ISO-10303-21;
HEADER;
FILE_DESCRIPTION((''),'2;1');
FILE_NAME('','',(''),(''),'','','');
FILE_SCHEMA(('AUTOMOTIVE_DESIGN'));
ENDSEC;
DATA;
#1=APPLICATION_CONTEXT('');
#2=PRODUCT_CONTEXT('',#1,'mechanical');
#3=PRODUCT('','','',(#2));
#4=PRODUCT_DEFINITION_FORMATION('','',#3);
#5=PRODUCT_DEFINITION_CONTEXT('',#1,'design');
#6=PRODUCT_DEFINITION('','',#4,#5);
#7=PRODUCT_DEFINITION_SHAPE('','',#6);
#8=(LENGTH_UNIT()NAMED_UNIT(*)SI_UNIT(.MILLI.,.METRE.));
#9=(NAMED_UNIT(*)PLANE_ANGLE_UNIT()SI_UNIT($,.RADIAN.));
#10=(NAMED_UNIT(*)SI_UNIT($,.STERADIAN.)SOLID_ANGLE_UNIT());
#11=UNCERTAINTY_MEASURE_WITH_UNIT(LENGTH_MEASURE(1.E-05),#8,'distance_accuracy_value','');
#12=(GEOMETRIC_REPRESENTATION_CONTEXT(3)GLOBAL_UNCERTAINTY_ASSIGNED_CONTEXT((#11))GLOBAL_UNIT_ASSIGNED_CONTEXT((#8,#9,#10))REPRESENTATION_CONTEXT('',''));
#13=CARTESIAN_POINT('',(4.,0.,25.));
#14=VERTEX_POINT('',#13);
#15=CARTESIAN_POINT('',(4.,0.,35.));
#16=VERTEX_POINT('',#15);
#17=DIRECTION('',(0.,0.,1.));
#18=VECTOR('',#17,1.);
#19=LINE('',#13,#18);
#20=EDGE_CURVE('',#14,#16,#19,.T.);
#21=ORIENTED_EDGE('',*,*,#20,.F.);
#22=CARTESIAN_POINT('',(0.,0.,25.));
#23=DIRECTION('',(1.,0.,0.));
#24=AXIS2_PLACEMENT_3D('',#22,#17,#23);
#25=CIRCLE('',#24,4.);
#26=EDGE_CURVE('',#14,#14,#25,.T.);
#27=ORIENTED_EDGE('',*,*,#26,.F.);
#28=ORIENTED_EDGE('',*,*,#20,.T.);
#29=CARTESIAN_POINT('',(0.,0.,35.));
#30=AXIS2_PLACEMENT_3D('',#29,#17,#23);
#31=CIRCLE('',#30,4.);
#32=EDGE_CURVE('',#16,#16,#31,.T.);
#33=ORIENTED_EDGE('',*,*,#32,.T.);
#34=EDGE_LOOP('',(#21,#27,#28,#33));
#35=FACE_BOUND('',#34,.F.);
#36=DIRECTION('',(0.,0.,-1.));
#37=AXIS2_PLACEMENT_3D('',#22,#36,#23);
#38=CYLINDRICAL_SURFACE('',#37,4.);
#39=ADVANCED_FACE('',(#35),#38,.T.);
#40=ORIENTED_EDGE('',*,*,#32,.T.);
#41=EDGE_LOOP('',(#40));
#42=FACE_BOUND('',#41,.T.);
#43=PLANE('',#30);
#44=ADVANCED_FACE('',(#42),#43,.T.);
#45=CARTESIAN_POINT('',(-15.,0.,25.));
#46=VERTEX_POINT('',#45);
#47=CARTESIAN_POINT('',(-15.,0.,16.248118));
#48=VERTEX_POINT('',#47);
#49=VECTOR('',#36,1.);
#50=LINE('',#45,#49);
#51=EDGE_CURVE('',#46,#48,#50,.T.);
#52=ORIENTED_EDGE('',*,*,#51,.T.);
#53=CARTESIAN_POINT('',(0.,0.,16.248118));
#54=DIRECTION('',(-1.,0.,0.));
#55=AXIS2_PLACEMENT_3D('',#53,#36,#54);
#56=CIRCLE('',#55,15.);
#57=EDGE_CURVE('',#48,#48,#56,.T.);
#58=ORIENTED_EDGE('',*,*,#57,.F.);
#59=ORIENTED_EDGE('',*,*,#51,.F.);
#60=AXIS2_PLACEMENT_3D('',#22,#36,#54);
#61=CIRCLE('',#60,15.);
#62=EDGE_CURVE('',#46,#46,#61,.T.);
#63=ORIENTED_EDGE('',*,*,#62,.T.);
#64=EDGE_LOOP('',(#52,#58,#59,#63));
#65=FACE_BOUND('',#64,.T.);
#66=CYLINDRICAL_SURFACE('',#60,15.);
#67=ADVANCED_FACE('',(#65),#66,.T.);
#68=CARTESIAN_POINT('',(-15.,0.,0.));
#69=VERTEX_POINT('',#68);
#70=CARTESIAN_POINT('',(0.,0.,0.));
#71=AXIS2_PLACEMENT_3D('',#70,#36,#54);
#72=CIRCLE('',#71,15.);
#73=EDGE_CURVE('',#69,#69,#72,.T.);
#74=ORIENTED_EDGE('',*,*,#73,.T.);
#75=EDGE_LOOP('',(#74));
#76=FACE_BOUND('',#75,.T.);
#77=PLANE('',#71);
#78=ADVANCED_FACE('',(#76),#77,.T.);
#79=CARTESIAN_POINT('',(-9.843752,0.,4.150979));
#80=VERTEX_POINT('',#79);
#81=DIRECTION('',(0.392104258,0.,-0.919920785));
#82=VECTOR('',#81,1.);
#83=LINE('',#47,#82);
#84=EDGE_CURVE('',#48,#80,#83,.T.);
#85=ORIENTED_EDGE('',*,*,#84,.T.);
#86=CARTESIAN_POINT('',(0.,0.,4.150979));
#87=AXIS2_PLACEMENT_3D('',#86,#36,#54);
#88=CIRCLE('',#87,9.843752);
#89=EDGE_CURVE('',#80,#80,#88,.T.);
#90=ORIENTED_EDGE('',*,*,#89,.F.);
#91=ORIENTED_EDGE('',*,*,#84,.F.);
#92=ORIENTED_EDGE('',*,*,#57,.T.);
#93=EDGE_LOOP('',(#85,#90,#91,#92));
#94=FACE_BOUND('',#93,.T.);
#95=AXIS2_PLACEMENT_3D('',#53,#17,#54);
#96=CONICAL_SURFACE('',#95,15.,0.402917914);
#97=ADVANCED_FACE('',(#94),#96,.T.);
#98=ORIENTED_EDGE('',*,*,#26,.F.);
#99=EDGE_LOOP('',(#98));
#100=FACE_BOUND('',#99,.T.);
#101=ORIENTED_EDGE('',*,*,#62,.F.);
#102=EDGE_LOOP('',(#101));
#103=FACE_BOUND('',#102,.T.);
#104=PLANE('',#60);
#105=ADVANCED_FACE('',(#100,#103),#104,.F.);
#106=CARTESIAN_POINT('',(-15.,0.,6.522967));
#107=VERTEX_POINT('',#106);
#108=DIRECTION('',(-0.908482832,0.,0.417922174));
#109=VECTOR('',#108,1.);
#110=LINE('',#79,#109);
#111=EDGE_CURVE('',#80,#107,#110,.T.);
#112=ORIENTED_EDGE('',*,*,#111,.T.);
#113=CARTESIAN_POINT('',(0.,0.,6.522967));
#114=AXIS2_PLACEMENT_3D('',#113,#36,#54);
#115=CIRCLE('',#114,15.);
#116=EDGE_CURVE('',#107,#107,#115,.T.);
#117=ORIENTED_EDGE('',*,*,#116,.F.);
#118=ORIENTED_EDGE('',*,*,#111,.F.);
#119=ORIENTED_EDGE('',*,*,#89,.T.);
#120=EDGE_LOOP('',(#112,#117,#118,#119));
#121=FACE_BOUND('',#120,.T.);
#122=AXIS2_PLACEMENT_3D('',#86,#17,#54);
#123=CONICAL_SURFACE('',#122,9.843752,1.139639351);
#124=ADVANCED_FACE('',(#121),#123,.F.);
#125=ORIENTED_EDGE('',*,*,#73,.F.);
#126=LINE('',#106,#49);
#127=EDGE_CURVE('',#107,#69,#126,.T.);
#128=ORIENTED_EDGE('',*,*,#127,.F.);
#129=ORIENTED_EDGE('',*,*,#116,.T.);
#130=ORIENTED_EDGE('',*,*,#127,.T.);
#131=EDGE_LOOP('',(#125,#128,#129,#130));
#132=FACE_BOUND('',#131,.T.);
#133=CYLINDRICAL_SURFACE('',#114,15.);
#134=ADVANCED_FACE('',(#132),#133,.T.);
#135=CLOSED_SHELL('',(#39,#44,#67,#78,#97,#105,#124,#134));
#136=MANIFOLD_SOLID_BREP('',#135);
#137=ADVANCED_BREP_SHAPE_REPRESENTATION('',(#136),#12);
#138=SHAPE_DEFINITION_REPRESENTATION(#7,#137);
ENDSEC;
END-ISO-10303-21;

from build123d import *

# Parameters (mm, degrees)
F2_R     = 4
F3_DEPTH = 10


with BuildPart() as f1:
    # F0 (on Front) → F1 (revolve)
    with BuildSketch(Plane.XZ):
        Polygon((0, 0), (0, 25), (-15, 25), (-15, 16.248118), (-9.843752, 4.150979), (-15, 6.522967), (-15, 0), align=None)
    revolve(axis=Axis((0, 0, 12.5), (0, 0, -1)))

    # F2 (on face) → F3 (join)
    with BuildSketch(Plane.XY.offset(25)):
        Circle(F2_R)
    extrude(amount=F3_DEPTH)


solid = f1.part
